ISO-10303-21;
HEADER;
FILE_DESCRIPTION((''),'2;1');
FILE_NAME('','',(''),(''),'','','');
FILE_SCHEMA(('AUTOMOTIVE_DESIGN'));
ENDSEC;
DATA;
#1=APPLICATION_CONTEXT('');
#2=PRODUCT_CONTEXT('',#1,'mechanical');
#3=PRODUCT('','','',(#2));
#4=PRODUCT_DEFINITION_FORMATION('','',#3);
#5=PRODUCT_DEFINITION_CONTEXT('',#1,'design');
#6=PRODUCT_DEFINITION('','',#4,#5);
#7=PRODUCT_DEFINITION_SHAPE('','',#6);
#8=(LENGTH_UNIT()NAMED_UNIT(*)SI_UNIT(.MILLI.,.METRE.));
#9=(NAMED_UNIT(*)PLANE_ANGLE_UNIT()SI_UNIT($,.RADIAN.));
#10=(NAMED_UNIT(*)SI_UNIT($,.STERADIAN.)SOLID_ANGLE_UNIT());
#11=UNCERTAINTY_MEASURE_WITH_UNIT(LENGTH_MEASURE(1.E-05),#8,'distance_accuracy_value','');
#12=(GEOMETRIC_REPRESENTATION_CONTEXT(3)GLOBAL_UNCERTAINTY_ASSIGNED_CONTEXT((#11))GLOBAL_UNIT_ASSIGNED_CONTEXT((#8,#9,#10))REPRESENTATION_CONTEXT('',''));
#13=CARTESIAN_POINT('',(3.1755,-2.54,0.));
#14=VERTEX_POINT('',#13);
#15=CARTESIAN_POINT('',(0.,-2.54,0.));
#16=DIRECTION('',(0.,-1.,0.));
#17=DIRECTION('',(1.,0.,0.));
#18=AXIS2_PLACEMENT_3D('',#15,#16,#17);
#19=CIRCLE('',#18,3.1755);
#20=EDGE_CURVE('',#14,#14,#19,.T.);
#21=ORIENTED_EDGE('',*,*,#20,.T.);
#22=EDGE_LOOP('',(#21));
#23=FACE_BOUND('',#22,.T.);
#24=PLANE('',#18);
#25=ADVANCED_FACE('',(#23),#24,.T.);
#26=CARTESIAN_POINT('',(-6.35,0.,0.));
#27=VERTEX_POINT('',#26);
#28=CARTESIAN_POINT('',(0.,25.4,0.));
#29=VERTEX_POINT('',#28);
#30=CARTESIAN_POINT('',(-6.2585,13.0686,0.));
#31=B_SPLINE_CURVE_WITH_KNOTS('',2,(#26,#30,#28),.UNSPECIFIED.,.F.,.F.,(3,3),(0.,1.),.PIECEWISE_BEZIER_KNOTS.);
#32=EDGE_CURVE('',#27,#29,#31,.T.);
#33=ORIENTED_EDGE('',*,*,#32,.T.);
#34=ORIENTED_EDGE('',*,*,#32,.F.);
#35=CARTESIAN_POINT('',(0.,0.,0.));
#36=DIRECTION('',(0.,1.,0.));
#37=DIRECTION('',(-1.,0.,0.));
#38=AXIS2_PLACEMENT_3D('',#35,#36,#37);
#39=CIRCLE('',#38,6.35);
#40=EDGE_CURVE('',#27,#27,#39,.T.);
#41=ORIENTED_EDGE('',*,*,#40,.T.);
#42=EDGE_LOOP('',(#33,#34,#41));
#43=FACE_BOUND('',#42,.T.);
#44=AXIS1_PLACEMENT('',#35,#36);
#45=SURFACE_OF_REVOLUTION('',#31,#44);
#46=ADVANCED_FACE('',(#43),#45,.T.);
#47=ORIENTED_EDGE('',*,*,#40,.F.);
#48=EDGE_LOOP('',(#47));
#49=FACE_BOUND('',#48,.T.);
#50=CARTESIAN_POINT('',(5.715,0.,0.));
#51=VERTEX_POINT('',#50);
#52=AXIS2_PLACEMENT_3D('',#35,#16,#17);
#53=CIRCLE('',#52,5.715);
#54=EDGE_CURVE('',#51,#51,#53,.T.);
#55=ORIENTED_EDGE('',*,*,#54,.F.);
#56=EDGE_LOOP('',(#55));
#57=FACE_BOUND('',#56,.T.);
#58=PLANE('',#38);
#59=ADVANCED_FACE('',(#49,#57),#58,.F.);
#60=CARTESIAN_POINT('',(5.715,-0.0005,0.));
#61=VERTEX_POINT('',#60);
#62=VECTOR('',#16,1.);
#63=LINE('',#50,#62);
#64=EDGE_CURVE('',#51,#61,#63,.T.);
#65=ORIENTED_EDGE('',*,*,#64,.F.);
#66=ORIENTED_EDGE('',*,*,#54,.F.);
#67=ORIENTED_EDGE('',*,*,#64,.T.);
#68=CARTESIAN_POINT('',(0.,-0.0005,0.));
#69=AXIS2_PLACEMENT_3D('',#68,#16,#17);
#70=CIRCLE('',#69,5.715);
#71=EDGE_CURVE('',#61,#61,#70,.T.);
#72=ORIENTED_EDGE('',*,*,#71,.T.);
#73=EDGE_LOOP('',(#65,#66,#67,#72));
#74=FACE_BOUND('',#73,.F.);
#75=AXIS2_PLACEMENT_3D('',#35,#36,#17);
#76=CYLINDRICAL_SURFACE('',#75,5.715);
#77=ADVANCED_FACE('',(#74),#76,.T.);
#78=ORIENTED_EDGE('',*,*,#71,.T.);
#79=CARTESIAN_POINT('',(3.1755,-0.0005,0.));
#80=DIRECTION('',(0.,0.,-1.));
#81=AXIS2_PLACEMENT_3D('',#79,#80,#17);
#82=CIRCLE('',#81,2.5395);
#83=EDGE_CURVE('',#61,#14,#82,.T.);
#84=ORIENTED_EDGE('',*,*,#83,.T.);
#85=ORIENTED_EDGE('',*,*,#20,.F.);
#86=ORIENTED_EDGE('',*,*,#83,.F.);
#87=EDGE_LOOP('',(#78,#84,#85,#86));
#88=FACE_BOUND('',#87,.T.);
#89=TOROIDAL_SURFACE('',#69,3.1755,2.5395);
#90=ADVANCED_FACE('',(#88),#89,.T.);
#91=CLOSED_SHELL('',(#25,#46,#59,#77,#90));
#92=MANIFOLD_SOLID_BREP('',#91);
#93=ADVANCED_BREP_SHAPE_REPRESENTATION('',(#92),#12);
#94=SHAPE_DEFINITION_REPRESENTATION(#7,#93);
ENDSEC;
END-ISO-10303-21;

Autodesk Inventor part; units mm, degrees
ref_plane "YZ Plane" through (0, 0, 0) normal (1, 0, 0) x (0, 1, 0)
ref_plane "XZ Plane" through (0, 0, 0) normal (0, 1, 0) x (-1, 0, 0)
ref_plane "XY Plane" through (0, 0, 0) normal (0, 0, 1) x (1, 0, 0)
sketch "Sketch1" plane through (0, 0, 0) normal (0, 0, 1) x (1, 0, 0)
  line L0 (0, 0) -> (-6.35, 0)
  line L1 (0, 0) -> (0, 25.4)
  spline S0 degree 2 poles (-6.35, 0) (-6.2585, 13.0686) (0, 25.4) knots 0 0 0 1 1 1
  point P0 (-4.7625, 12.7)
  dimension "d0" = 6.35
  dimension "d1" = 25.4
revolve "Revolution1" add sketch "Sketch1" angle 360 about axis through (0, 0, 0) along (0, 1, 0)
sketch "Sketch2" plane through (0, 0, 0) normal (0, -1, 0) x (1, 0, 0)
  circle A0 centre (0, 0) radius 5.715
  dimension "d3" = 11.43
extrude "Extrusion1" add sketch "Sketch2" along normal blind 2.54
fillet "Fillet1" radius 2.54 1 edges at (-5.715, -2.54, 0)
properties part number "Rocket - Nose Cone"
